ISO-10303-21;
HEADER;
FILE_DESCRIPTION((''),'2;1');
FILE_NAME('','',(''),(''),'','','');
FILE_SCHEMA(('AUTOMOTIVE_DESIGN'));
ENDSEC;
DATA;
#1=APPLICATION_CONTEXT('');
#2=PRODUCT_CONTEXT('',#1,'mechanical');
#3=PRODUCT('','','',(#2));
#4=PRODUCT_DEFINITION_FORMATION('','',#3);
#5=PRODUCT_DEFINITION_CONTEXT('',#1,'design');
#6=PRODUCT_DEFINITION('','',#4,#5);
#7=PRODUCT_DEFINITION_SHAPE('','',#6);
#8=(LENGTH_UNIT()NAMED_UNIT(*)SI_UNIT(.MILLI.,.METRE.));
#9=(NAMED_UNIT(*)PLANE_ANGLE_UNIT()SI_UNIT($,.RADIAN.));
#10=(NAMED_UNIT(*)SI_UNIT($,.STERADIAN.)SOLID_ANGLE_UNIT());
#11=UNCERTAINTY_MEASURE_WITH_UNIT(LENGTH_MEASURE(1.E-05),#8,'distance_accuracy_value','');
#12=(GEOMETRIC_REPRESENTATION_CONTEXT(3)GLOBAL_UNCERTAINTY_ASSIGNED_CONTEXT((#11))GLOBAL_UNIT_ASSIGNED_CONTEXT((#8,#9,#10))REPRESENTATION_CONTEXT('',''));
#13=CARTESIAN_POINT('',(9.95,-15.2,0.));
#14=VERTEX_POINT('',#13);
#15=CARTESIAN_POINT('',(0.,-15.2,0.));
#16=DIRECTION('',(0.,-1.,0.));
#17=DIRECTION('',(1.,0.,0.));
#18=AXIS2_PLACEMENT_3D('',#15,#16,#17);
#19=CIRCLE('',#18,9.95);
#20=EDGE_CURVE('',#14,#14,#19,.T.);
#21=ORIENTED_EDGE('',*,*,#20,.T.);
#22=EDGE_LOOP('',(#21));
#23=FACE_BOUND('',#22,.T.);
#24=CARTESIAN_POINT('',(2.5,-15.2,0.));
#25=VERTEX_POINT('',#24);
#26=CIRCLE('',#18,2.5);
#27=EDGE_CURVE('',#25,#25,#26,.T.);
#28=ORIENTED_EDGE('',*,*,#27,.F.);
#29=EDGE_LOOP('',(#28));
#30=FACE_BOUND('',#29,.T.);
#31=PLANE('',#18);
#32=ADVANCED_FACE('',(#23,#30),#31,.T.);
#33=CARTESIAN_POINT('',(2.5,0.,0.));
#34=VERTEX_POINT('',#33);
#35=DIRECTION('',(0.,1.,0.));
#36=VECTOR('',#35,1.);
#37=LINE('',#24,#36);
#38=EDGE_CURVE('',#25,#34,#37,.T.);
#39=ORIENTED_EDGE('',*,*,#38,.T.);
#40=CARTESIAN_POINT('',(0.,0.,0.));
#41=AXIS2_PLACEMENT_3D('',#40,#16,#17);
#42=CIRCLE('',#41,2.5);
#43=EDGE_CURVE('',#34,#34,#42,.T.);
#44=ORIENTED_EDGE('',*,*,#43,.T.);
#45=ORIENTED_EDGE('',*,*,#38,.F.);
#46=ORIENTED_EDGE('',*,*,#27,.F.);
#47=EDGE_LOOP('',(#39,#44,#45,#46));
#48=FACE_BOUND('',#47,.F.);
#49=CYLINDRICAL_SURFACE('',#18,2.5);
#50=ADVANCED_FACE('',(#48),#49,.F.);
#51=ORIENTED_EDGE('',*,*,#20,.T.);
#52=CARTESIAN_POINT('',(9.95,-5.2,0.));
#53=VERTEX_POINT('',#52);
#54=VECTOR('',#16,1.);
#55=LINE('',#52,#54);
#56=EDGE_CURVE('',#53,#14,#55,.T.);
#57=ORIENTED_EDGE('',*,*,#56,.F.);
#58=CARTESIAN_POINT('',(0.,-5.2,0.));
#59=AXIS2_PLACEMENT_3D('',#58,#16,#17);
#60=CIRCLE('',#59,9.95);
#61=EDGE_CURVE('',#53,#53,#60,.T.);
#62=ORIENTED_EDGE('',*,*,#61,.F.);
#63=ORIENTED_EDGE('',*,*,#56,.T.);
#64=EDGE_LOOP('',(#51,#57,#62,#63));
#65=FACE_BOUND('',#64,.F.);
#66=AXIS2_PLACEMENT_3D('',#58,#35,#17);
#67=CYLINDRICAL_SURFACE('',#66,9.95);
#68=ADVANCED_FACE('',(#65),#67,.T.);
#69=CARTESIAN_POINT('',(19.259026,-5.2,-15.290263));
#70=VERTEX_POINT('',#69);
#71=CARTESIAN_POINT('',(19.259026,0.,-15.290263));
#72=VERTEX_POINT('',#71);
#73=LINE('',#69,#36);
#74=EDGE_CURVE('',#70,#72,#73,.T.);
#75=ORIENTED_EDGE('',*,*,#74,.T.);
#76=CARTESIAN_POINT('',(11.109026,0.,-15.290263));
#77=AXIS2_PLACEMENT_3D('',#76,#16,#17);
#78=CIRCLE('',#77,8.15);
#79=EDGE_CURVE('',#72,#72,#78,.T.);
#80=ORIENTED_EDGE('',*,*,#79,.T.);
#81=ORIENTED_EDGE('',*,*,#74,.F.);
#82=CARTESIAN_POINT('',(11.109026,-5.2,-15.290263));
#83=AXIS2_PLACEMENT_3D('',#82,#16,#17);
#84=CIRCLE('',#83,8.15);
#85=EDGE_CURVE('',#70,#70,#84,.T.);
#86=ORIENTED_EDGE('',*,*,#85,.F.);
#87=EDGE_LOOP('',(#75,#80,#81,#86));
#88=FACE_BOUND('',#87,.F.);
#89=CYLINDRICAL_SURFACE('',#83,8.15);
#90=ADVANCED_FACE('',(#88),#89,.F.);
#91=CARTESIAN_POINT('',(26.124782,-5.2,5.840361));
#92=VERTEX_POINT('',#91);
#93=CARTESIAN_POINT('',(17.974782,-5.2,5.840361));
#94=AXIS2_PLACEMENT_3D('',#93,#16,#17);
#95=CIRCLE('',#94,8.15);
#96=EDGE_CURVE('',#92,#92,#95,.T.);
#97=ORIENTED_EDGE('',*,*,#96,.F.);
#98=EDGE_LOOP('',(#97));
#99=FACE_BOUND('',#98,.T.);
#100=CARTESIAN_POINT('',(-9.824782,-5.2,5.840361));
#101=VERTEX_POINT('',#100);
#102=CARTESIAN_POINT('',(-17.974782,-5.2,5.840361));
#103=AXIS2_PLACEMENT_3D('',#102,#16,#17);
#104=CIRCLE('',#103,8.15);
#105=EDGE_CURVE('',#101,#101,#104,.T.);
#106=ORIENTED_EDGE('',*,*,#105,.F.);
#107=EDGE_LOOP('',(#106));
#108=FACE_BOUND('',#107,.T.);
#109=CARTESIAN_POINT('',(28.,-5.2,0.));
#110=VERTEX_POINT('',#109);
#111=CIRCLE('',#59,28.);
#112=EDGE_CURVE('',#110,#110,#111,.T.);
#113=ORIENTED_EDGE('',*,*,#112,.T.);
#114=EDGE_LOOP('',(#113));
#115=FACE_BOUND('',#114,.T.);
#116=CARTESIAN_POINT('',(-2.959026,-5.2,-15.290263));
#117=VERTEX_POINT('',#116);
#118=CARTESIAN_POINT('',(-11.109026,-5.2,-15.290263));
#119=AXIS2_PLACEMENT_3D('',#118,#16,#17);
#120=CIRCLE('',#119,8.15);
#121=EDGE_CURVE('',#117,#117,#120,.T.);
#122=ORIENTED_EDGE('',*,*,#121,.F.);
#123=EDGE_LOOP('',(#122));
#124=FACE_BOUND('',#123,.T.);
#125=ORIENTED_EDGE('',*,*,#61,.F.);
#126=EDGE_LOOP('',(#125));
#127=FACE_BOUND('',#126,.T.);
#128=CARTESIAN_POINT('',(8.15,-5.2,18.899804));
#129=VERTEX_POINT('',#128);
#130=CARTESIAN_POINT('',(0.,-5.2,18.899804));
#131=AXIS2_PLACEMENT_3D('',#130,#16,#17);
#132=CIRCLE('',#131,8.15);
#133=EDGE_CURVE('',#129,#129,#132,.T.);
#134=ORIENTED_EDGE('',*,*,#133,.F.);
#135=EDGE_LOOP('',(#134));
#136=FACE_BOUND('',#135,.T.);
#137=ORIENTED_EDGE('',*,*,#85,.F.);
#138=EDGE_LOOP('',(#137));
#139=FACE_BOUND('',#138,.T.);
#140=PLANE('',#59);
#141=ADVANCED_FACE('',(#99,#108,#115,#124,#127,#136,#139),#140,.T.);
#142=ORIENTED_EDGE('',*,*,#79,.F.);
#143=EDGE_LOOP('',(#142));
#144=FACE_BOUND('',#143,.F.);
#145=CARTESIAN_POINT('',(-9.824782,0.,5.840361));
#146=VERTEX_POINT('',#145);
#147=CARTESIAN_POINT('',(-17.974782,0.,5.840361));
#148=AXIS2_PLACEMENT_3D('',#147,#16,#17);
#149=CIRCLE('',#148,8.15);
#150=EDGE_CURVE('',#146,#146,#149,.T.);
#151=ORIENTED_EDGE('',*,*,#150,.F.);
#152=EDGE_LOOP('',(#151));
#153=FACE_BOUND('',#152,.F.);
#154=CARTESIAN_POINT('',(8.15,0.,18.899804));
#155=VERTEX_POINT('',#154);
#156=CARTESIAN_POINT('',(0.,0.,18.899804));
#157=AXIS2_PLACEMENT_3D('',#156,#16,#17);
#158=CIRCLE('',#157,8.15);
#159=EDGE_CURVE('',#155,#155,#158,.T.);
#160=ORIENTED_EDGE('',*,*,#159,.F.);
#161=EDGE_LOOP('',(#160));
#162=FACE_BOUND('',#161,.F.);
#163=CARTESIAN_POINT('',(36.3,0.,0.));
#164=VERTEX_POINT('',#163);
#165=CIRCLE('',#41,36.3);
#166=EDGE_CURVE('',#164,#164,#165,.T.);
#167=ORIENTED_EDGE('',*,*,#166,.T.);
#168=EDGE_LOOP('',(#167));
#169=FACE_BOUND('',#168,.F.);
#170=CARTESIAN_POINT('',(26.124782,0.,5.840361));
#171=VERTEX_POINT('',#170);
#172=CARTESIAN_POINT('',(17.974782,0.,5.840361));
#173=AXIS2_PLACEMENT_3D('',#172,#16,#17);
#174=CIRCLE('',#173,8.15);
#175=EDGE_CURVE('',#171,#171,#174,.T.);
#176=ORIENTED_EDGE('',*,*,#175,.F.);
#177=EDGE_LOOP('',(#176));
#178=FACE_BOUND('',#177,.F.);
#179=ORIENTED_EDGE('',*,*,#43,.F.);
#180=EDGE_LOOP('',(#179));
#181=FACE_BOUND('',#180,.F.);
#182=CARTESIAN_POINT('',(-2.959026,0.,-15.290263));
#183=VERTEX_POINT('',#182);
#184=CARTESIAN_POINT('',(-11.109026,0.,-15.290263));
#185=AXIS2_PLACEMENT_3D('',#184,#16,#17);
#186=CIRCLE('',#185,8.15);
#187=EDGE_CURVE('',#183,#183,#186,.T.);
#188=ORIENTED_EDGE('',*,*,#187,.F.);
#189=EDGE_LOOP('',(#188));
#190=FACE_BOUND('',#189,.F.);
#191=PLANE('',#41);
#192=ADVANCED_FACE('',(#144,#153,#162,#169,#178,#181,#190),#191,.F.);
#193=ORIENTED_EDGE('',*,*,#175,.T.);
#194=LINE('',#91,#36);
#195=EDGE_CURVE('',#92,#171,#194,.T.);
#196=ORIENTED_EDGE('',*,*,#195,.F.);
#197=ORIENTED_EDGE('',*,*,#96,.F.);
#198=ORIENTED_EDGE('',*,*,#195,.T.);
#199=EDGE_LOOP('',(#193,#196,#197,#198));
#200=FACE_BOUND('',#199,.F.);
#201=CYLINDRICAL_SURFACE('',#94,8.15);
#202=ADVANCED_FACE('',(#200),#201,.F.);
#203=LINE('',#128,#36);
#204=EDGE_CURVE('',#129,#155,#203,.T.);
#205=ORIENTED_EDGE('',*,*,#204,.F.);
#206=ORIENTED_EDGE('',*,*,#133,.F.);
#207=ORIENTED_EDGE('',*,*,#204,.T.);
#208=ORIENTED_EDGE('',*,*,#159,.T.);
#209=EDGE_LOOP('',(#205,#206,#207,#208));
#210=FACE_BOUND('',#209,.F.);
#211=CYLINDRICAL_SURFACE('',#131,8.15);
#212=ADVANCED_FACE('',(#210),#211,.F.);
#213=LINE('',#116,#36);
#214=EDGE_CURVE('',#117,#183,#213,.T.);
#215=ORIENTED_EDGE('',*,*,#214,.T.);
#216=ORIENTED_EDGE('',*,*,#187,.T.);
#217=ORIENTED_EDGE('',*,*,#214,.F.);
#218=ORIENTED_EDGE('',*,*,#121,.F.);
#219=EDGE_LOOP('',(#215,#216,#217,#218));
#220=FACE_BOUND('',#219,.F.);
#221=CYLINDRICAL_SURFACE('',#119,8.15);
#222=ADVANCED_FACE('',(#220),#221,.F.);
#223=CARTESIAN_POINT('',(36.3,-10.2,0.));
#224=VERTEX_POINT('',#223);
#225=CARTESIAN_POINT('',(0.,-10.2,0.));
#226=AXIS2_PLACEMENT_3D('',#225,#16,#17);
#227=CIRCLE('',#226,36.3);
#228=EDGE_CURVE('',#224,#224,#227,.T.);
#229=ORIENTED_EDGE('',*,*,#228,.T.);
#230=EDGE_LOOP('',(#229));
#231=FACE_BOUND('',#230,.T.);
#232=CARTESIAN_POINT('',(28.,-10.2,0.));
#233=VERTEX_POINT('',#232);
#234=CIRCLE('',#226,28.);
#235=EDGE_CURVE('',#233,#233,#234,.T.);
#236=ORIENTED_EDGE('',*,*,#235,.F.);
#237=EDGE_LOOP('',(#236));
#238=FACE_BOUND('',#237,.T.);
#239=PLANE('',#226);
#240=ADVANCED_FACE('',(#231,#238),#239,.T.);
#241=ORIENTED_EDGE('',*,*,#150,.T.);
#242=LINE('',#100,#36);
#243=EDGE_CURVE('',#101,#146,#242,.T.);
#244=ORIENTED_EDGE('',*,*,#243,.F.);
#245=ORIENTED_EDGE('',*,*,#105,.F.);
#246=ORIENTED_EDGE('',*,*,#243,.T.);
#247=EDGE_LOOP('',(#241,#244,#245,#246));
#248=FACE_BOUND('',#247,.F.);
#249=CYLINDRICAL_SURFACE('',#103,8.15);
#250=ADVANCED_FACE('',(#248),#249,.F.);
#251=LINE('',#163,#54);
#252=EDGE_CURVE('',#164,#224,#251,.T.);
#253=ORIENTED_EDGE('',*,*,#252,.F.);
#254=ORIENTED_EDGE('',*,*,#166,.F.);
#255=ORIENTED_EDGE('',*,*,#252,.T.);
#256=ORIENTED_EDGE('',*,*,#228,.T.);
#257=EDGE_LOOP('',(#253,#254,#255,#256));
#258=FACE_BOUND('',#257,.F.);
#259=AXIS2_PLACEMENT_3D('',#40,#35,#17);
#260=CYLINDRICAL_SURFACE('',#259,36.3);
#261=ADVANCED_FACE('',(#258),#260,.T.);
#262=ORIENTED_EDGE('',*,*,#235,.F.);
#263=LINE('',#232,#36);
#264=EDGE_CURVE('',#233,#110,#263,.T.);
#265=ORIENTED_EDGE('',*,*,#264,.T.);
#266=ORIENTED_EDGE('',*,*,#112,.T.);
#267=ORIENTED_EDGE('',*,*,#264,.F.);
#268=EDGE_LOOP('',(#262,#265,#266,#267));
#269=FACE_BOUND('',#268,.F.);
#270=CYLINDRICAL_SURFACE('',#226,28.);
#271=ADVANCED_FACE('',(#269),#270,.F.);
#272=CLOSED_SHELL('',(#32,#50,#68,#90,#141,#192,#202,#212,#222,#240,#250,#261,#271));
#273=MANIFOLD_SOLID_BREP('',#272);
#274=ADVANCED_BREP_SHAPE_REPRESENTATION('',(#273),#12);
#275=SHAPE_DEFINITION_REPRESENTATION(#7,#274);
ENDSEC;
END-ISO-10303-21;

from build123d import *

# Parameters (mm, degrees)
F0_R     = 36.3
F1_DEPTH = 10.2
F2_R     = 28
F3_DEPTH = 5
F4_R     = 9.95
F5_DEPTH = 10
F6_R     = 2.5
F7_DEPTH = 15.201
F8_R     = 8.15
F9_DEPTH = 5.201


with BuildPart() as f1:
    # F0 (on Front) → F1 (new body)
    with BuildSketch(Plane.XZ):
        Circle(F0_R)
    extrude(amount=F1_DEPTH)

    # F2 (on face) → F3 (cut)
    with BuildSketch(Plane.XZ.offset(10.2)):
        Circle(F2_R)
    extrude(amount=-F3_DEPTH, mode=Mode.SUBTRACT)

    # F4 (on face) → F5 (join)
    with BuildSketch(Plane.XZ.offset(5.2)):
        Circle(F4_R)
    extrude(amount=F5_DEPTH)

    # F6 (on face) → F7 (cut, through all)
    with BuildSketch(Plane.XZ.offset(15.2)):
        Circle(F6_R)
    extrude(amount=-F7_DEPTH, mode=Mode.SUBTRACT)

    # F8 (on face) → F9 (cut, through all)
    with BuildSketch(Plane.XZ.offset(5.2)):
        with Locations((0, 18.899804)):
            Circle(F8_R)
        with Locations((-17.974782, 5.840361)):
            Circle(F8_R)
        with Locations((-11.109026, -15.290263)):
            Circle(F8_R)
        with Locations((11.109026, -15.290263)):
            Circle(F8_R)
        with Locations((17.974782, 5.840361)):
            Circle(F8_R)
    extrude(amount=-F9_DEPTH, mode=Mode.SUBTRACT)


solid = f1.part
